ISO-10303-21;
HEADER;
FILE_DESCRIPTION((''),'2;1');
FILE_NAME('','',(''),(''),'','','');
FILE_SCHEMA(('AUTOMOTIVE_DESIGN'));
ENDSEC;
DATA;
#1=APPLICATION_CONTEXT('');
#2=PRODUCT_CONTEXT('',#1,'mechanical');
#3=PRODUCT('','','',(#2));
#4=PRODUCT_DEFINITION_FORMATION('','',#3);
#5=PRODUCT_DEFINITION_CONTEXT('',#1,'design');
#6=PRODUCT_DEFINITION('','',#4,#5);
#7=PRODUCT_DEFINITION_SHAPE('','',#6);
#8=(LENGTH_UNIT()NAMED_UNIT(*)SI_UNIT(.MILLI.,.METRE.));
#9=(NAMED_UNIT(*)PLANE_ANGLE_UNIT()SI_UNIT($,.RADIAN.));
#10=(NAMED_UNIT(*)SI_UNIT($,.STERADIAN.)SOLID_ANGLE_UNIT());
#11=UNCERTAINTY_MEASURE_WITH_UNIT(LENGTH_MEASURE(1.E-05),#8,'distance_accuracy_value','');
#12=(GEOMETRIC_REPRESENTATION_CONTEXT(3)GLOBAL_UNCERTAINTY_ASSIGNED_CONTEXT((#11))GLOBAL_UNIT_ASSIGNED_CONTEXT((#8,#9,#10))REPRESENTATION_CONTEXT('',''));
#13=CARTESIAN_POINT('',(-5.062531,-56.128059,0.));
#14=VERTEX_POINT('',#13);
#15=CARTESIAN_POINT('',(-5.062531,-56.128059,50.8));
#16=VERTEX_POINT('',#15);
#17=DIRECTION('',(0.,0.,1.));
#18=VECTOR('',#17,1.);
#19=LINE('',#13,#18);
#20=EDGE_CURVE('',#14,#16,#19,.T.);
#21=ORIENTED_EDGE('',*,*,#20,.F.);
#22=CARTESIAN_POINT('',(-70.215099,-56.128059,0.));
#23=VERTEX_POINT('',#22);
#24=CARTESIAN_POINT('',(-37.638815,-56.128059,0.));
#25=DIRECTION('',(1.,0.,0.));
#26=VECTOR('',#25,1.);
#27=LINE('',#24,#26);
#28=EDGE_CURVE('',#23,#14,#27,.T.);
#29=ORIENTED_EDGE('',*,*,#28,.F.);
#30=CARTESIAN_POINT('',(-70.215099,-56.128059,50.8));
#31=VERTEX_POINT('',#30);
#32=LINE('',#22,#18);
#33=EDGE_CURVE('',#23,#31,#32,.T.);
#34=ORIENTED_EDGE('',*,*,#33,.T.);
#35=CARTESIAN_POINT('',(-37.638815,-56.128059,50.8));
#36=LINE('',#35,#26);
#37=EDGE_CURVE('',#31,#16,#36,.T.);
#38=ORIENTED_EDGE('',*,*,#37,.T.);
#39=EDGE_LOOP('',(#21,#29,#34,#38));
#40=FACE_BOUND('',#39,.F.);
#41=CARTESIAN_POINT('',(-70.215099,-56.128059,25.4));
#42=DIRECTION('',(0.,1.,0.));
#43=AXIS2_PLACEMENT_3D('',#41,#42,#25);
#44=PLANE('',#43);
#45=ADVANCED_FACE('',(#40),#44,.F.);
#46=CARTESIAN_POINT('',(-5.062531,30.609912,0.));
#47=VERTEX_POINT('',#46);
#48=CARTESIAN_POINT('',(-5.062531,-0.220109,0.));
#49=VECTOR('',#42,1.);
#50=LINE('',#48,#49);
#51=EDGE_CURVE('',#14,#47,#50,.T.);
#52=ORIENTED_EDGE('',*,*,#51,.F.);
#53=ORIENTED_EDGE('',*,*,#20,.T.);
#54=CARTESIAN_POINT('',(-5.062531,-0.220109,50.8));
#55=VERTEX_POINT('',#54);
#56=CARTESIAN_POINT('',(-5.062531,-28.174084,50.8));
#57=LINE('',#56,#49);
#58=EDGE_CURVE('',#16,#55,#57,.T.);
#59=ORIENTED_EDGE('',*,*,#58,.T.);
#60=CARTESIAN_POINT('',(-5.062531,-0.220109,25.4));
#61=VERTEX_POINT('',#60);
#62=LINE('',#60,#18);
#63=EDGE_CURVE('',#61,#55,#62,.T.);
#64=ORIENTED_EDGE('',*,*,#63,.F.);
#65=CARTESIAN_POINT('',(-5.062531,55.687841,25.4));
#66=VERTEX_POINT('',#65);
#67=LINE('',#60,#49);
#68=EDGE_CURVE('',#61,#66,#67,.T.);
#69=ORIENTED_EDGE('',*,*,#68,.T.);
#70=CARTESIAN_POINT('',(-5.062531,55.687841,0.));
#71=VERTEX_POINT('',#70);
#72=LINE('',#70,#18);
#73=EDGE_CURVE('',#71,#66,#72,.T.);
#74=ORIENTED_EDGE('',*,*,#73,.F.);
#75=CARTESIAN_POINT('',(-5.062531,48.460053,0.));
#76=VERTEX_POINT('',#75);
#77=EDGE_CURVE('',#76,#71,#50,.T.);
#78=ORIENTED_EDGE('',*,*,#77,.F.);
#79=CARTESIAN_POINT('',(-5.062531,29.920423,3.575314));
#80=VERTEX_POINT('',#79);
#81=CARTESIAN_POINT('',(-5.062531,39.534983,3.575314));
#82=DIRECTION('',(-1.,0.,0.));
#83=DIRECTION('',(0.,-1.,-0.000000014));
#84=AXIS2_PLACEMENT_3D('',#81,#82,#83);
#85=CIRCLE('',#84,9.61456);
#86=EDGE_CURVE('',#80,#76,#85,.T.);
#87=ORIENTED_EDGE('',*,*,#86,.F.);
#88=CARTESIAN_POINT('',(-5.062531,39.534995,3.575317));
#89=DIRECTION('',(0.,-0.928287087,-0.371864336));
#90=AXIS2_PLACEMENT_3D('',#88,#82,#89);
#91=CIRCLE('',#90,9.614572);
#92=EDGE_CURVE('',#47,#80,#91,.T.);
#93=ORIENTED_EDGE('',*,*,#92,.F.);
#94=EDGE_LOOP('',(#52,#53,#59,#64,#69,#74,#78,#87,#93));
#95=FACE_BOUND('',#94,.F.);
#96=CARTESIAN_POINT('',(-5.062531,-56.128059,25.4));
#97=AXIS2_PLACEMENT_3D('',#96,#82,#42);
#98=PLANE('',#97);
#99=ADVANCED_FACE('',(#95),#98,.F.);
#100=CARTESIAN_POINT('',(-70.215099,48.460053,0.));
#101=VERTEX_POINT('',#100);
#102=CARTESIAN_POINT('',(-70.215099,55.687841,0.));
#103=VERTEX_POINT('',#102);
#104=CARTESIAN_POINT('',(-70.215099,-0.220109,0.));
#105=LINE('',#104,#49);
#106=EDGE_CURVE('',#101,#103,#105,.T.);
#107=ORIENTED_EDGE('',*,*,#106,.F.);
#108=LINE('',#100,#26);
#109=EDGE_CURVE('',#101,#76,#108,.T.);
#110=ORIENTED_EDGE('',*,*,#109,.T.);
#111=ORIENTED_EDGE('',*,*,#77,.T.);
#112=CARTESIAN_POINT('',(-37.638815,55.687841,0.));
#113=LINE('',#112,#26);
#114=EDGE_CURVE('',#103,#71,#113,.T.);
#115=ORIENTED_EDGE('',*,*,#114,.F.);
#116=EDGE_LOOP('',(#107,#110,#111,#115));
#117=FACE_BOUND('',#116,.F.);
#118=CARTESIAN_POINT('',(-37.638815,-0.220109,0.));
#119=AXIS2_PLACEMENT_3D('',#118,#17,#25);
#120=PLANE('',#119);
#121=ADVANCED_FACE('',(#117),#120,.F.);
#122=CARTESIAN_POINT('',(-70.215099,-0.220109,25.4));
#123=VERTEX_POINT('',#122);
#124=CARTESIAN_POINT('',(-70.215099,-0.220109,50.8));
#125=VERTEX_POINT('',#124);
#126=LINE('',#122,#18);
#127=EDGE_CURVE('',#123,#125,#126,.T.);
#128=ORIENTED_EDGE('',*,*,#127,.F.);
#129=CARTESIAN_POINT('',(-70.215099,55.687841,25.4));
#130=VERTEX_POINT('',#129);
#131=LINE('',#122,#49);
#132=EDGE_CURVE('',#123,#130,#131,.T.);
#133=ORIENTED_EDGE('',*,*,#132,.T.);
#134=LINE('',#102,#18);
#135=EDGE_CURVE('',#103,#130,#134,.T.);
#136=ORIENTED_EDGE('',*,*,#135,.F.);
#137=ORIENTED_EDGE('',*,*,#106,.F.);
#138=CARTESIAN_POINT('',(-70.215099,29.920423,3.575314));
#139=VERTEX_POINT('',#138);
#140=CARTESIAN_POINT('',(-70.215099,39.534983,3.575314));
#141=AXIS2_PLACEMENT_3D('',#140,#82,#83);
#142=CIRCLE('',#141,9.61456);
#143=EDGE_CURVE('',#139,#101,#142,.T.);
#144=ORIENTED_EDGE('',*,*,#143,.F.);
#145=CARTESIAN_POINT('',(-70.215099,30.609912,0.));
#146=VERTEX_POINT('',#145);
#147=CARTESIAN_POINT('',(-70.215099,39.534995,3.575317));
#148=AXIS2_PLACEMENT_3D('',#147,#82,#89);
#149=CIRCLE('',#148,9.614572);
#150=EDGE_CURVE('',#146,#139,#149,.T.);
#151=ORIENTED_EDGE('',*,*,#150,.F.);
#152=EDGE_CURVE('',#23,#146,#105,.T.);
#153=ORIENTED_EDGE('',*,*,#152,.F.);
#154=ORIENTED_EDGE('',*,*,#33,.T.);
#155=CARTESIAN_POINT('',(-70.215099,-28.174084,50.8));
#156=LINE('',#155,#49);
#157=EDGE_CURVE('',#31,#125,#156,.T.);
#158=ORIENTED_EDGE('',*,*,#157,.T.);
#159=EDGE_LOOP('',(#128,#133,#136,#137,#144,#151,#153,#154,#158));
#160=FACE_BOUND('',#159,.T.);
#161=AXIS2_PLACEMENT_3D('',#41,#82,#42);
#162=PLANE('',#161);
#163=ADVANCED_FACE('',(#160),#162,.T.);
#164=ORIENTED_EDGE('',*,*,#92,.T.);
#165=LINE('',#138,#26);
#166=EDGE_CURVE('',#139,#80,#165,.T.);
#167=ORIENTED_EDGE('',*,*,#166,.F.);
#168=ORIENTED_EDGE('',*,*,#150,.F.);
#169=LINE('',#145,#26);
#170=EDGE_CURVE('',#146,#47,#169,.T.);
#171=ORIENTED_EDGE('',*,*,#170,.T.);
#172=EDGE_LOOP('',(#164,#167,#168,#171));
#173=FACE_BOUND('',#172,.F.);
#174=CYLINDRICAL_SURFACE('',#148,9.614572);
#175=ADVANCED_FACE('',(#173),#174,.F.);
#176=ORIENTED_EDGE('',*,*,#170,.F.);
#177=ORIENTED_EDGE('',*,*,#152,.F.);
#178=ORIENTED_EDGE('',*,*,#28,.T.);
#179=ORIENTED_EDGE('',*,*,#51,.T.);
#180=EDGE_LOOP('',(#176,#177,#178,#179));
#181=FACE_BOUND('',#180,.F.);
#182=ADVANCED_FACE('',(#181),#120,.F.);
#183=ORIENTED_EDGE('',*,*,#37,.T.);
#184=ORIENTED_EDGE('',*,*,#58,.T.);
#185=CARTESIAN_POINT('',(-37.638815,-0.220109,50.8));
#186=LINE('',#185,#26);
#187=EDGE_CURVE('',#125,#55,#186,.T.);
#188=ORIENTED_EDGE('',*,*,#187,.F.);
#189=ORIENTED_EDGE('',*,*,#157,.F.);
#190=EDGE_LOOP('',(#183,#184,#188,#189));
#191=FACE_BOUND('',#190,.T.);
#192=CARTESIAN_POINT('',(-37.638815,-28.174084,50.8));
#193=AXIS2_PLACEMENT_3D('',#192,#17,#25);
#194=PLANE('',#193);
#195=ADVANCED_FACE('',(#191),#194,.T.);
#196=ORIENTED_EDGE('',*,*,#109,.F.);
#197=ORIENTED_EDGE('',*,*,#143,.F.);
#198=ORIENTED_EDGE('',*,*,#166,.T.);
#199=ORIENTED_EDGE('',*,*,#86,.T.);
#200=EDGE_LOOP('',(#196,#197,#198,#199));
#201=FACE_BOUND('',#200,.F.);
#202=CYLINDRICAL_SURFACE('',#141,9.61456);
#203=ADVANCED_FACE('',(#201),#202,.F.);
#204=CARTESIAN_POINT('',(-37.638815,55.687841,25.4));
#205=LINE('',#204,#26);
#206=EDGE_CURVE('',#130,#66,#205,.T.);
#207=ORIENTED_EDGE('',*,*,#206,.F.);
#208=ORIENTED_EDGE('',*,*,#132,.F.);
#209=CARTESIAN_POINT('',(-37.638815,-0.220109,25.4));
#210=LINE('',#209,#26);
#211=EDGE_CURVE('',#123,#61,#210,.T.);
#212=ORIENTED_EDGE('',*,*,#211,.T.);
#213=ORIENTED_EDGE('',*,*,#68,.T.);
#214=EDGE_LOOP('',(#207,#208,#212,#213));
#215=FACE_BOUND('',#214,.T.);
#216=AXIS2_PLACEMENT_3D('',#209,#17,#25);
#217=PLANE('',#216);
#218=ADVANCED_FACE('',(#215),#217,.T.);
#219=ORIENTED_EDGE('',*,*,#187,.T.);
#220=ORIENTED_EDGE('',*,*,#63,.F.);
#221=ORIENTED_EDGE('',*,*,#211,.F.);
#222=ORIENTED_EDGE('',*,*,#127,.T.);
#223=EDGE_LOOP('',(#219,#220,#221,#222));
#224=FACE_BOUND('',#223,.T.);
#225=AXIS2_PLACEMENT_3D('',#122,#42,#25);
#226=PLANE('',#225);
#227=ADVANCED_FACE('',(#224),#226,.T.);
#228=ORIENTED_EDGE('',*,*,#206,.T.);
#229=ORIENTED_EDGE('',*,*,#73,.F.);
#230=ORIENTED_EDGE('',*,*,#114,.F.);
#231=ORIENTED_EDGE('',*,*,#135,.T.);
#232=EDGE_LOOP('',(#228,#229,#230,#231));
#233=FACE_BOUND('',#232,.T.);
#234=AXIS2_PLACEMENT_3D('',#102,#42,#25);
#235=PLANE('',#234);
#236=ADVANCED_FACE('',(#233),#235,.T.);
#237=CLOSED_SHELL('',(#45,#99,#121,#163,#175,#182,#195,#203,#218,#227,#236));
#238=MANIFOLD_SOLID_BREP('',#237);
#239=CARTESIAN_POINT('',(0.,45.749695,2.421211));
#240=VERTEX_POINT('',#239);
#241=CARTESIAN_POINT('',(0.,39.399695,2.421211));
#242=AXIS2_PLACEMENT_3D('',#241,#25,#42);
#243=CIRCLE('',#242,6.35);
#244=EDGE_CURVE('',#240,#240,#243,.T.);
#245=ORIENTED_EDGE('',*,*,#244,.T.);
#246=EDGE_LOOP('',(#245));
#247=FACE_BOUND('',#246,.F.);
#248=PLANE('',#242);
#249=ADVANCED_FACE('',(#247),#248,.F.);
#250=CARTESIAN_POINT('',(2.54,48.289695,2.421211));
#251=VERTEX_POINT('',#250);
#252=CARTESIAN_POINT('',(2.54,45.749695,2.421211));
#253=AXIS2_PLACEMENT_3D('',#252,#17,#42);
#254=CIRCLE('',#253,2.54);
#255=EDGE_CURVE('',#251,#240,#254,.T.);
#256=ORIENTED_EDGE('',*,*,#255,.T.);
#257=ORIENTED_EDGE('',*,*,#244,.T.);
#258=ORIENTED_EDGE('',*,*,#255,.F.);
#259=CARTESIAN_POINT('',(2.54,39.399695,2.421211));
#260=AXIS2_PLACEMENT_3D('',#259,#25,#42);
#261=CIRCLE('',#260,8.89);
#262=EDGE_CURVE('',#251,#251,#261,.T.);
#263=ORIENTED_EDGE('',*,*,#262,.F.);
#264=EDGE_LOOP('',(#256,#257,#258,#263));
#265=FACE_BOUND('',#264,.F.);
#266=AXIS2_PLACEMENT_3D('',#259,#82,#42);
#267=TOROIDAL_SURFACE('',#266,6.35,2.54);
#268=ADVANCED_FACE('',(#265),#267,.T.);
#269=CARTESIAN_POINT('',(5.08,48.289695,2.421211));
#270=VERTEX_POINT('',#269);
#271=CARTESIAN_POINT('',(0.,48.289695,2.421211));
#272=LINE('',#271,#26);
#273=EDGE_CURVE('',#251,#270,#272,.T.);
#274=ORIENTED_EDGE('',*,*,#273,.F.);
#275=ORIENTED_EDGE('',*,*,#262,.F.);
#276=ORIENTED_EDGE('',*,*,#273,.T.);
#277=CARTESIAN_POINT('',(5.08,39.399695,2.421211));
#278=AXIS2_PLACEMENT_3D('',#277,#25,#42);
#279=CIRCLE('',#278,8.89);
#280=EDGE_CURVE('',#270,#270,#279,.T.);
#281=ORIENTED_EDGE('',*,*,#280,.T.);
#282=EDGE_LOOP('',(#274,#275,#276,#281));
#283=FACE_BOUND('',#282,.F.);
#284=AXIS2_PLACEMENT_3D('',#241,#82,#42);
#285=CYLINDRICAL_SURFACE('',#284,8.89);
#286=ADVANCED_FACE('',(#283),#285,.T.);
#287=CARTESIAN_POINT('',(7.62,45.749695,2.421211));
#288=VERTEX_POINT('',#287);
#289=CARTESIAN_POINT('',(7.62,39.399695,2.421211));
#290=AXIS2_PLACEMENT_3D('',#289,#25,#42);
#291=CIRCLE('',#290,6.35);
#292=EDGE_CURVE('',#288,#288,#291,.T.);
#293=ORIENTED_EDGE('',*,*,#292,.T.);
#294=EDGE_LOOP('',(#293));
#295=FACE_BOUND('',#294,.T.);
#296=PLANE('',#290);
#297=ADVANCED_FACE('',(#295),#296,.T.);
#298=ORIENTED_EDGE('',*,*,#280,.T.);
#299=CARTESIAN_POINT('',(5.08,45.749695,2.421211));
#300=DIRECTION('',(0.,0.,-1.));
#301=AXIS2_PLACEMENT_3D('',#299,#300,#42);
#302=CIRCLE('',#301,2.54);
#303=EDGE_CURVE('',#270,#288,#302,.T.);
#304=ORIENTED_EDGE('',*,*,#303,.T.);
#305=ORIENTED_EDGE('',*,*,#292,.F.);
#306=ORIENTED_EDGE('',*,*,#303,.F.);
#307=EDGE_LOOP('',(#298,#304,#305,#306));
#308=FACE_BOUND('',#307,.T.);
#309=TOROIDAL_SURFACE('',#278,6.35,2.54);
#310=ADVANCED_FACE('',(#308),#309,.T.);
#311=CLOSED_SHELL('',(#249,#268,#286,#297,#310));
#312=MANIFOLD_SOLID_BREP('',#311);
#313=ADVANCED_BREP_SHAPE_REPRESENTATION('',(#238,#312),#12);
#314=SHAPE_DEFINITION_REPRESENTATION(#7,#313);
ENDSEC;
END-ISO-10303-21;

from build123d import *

# Parameters (mm, degrees)
F0_W     = 65.152568
F0_H     = 111.8159
F1_DEPTH = 25.4
F2_W     = 65.152568
F2_H     = 55.90795
F3_DEPTH = 25.4
F5_DEPTH = 76.2
F6_R     = 8.89
F7_DEPTH = 7.62
F8_R     = 2.54


with BuildPart() as f1:
    # F0 (on Top) → F1 (new body)
    with BuildSketch(Plane.XY):
        with Locations((-37.638815, -0.220109)):
            Rectangle(F0_W, F0_H)
    extrude(amount=F1_DEPTH)

    # F2 (on face) → F3 (join)
    with BuildSketch(Plane.XY.offset(25.4)):
        with Locations((-37.638815, -28.174084)):
            Rectangle(F2_W, F2_H)
    extrude(amount=F3_DEPTH)

    # F4 (on face) → F5 (cut)
    with BuildSketch(Plane(origin=(-70.215099, 0, 0), x_dir=(0, -1, 0), z_dir=(-1, 0, 0))):
        with BuildLine():
            ThreePointArc((-30.609912, 0), (-30.094369, 1.754719), (-29.920423, 3.575314))
            ThreePointArc((-29.920423, 3.575314), (-41.355577, 13.015928), (-48.460053, 0))
            Line((-48.460053, 0), (-30.609912, 0))
        make_face()
        with BuildLine():
            Line((-30.609912, 0), (-48.460053, 0))
            ThreePointArc((-48.460053, 0), (-39.534982, -6.039246), (-30.609912, 0))
        make_face()
    extrude(amount=-F5_DEPTH, mode=Mode.SUBTRACT)


with BuildPart() as f7:
    # F6 (on Right) → F7 (new body)
    with BuildSketch(Plane.YZ):
        with Locations((39.399695, 2.421211)):
            Circle(F6_R)
    extrude(amount=F7_DEPTH)

    # F8
    f8_edges = [f7.edges().sort_by_distance(p)[0] for p in [
        (7.62, 30.509695, 2.421211),
        (0, 30.509695, 2.421211),
    ]]
    fillet(f8_edges, radius=F8_R)


solid = Compound([f1.part, f7.part])
